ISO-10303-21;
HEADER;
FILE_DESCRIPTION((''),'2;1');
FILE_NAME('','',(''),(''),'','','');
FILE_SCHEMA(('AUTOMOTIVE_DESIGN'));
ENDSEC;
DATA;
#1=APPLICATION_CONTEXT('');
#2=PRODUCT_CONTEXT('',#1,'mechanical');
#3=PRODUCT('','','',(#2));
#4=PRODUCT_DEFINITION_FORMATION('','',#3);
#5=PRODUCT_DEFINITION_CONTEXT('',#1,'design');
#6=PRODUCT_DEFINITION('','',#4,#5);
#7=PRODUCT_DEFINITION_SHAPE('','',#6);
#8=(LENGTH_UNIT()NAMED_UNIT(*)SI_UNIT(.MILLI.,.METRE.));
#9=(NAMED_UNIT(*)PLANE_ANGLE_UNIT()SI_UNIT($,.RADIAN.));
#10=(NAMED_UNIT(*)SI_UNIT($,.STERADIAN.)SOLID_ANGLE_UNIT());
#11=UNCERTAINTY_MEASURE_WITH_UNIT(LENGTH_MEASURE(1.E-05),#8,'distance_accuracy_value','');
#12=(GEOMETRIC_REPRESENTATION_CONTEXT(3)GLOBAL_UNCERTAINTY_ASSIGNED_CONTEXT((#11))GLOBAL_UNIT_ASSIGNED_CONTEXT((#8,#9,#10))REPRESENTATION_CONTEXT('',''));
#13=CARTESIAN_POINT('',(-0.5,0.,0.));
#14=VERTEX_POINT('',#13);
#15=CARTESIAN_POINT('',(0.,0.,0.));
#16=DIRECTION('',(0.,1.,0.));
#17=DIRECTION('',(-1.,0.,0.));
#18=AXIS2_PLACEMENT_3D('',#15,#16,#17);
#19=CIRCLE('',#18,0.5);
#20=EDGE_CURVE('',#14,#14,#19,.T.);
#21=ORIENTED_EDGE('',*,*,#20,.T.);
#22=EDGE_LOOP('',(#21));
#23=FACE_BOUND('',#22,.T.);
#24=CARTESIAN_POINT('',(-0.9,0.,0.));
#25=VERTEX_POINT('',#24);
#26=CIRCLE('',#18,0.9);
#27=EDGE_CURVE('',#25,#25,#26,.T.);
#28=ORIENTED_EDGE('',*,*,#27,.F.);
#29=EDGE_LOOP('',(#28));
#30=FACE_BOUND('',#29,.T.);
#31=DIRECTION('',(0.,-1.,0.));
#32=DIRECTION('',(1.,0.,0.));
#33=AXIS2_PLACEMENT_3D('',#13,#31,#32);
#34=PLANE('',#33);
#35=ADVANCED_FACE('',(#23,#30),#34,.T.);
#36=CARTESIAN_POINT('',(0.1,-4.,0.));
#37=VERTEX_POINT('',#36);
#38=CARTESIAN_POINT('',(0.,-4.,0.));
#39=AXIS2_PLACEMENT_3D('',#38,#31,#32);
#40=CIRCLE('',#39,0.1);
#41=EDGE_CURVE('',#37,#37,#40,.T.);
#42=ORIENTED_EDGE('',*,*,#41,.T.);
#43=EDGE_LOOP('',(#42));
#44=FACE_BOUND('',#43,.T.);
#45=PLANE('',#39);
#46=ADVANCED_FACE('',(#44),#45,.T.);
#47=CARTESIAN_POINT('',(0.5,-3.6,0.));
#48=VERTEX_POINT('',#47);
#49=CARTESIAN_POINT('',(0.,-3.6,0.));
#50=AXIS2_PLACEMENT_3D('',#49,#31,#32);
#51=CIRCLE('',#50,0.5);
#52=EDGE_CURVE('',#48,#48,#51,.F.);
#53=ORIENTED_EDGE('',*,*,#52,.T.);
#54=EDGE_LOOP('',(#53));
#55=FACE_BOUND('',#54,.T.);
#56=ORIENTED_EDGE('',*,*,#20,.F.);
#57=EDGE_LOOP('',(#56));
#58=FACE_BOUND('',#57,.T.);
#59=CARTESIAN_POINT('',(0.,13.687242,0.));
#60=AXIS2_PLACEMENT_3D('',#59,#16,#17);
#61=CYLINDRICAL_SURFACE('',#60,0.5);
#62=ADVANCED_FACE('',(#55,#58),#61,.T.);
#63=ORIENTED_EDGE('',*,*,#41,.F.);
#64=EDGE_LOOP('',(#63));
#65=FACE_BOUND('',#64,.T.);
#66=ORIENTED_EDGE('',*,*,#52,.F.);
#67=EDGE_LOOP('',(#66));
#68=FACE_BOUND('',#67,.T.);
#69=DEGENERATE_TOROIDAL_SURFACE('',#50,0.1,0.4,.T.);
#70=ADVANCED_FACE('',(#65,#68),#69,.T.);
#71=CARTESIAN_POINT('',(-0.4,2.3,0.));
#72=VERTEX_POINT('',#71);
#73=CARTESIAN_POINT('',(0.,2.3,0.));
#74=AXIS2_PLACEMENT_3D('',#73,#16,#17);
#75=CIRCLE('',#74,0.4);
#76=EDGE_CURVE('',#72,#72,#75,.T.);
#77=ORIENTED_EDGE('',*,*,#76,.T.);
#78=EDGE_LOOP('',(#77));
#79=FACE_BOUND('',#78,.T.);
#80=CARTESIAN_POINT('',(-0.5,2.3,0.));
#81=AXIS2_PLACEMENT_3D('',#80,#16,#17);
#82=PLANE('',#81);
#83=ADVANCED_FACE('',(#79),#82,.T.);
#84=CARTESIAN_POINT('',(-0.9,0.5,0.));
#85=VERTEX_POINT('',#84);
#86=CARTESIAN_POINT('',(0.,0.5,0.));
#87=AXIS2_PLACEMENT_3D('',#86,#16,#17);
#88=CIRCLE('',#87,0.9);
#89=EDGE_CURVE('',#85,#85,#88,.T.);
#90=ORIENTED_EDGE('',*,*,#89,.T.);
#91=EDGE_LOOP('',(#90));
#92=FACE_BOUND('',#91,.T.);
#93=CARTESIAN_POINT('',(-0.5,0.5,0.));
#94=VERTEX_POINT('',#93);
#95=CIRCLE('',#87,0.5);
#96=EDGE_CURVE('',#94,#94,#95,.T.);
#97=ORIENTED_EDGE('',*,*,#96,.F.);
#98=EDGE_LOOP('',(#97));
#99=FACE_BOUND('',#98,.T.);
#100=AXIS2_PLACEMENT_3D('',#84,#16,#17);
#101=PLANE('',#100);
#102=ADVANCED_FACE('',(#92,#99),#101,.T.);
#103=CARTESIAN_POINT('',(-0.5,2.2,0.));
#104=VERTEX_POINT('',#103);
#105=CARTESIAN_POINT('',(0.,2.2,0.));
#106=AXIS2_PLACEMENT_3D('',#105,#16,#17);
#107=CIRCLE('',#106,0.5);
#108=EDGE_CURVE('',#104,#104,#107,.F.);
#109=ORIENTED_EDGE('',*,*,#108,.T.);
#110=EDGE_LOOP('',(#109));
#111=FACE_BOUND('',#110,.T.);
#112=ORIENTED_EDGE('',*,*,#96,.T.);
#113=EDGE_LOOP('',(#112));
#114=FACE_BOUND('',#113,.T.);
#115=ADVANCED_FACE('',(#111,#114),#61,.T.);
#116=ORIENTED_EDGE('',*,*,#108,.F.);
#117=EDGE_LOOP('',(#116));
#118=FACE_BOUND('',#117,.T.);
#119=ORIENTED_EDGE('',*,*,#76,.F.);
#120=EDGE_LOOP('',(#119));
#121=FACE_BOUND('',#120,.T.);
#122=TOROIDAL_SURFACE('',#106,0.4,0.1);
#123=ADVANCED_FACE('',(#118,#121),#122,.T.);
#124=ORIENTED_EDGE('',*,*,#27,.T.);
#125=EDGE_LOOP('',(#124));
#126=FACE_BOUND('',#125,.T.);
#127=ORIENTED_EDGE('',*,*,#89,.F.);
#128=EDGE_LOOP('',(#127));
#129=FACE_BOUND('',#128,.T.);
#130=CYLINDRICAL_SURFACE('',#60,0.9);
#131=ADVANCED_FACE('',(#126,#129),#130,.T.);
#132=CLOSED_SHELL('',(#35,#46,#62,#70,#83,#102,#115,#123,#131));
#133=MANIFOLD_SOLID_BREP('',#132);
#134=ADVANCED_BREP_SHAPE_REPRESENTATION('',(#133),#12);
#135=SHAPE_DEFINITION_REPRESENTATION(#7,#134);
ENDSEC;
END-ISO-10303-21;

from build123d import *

# Parameters (mm, degrees)
FILLET_1_R = 0.1
FILLET_2_R = 0.4


with BuildPart() as part:
    # 草图1 → 旋转1 (revolve)
    with BuildSketch(Plane.XY):
        Polygon((0, -4), (-0.5, -4), (-0.5, 0), (-0.9, 0), (-0.9, 0.5), (-0.5, 0.5), (-0.5, 2.3), (0, 2.3), align=None)
    revolve(axis=Axis((0, 13.687242456, 0), (0, -1, 0)))

    # 圆角1
    fillet_1_edges = [part.edges().sort_by_distance(p)[0] for p in [
        (0.5, 2.3, 0),
    ]]
    fillet(fillet_1_edges, radius=FILLET_1_R)

    # 圆角2
    fillet_2_edges = [part.edges().sort_by_distance(p)[0] for p in [
        (0.5, -4, 0),
    ]]
    fillet(fillet_2_edges, radius=FILLET_2_R)


solid = part.part
